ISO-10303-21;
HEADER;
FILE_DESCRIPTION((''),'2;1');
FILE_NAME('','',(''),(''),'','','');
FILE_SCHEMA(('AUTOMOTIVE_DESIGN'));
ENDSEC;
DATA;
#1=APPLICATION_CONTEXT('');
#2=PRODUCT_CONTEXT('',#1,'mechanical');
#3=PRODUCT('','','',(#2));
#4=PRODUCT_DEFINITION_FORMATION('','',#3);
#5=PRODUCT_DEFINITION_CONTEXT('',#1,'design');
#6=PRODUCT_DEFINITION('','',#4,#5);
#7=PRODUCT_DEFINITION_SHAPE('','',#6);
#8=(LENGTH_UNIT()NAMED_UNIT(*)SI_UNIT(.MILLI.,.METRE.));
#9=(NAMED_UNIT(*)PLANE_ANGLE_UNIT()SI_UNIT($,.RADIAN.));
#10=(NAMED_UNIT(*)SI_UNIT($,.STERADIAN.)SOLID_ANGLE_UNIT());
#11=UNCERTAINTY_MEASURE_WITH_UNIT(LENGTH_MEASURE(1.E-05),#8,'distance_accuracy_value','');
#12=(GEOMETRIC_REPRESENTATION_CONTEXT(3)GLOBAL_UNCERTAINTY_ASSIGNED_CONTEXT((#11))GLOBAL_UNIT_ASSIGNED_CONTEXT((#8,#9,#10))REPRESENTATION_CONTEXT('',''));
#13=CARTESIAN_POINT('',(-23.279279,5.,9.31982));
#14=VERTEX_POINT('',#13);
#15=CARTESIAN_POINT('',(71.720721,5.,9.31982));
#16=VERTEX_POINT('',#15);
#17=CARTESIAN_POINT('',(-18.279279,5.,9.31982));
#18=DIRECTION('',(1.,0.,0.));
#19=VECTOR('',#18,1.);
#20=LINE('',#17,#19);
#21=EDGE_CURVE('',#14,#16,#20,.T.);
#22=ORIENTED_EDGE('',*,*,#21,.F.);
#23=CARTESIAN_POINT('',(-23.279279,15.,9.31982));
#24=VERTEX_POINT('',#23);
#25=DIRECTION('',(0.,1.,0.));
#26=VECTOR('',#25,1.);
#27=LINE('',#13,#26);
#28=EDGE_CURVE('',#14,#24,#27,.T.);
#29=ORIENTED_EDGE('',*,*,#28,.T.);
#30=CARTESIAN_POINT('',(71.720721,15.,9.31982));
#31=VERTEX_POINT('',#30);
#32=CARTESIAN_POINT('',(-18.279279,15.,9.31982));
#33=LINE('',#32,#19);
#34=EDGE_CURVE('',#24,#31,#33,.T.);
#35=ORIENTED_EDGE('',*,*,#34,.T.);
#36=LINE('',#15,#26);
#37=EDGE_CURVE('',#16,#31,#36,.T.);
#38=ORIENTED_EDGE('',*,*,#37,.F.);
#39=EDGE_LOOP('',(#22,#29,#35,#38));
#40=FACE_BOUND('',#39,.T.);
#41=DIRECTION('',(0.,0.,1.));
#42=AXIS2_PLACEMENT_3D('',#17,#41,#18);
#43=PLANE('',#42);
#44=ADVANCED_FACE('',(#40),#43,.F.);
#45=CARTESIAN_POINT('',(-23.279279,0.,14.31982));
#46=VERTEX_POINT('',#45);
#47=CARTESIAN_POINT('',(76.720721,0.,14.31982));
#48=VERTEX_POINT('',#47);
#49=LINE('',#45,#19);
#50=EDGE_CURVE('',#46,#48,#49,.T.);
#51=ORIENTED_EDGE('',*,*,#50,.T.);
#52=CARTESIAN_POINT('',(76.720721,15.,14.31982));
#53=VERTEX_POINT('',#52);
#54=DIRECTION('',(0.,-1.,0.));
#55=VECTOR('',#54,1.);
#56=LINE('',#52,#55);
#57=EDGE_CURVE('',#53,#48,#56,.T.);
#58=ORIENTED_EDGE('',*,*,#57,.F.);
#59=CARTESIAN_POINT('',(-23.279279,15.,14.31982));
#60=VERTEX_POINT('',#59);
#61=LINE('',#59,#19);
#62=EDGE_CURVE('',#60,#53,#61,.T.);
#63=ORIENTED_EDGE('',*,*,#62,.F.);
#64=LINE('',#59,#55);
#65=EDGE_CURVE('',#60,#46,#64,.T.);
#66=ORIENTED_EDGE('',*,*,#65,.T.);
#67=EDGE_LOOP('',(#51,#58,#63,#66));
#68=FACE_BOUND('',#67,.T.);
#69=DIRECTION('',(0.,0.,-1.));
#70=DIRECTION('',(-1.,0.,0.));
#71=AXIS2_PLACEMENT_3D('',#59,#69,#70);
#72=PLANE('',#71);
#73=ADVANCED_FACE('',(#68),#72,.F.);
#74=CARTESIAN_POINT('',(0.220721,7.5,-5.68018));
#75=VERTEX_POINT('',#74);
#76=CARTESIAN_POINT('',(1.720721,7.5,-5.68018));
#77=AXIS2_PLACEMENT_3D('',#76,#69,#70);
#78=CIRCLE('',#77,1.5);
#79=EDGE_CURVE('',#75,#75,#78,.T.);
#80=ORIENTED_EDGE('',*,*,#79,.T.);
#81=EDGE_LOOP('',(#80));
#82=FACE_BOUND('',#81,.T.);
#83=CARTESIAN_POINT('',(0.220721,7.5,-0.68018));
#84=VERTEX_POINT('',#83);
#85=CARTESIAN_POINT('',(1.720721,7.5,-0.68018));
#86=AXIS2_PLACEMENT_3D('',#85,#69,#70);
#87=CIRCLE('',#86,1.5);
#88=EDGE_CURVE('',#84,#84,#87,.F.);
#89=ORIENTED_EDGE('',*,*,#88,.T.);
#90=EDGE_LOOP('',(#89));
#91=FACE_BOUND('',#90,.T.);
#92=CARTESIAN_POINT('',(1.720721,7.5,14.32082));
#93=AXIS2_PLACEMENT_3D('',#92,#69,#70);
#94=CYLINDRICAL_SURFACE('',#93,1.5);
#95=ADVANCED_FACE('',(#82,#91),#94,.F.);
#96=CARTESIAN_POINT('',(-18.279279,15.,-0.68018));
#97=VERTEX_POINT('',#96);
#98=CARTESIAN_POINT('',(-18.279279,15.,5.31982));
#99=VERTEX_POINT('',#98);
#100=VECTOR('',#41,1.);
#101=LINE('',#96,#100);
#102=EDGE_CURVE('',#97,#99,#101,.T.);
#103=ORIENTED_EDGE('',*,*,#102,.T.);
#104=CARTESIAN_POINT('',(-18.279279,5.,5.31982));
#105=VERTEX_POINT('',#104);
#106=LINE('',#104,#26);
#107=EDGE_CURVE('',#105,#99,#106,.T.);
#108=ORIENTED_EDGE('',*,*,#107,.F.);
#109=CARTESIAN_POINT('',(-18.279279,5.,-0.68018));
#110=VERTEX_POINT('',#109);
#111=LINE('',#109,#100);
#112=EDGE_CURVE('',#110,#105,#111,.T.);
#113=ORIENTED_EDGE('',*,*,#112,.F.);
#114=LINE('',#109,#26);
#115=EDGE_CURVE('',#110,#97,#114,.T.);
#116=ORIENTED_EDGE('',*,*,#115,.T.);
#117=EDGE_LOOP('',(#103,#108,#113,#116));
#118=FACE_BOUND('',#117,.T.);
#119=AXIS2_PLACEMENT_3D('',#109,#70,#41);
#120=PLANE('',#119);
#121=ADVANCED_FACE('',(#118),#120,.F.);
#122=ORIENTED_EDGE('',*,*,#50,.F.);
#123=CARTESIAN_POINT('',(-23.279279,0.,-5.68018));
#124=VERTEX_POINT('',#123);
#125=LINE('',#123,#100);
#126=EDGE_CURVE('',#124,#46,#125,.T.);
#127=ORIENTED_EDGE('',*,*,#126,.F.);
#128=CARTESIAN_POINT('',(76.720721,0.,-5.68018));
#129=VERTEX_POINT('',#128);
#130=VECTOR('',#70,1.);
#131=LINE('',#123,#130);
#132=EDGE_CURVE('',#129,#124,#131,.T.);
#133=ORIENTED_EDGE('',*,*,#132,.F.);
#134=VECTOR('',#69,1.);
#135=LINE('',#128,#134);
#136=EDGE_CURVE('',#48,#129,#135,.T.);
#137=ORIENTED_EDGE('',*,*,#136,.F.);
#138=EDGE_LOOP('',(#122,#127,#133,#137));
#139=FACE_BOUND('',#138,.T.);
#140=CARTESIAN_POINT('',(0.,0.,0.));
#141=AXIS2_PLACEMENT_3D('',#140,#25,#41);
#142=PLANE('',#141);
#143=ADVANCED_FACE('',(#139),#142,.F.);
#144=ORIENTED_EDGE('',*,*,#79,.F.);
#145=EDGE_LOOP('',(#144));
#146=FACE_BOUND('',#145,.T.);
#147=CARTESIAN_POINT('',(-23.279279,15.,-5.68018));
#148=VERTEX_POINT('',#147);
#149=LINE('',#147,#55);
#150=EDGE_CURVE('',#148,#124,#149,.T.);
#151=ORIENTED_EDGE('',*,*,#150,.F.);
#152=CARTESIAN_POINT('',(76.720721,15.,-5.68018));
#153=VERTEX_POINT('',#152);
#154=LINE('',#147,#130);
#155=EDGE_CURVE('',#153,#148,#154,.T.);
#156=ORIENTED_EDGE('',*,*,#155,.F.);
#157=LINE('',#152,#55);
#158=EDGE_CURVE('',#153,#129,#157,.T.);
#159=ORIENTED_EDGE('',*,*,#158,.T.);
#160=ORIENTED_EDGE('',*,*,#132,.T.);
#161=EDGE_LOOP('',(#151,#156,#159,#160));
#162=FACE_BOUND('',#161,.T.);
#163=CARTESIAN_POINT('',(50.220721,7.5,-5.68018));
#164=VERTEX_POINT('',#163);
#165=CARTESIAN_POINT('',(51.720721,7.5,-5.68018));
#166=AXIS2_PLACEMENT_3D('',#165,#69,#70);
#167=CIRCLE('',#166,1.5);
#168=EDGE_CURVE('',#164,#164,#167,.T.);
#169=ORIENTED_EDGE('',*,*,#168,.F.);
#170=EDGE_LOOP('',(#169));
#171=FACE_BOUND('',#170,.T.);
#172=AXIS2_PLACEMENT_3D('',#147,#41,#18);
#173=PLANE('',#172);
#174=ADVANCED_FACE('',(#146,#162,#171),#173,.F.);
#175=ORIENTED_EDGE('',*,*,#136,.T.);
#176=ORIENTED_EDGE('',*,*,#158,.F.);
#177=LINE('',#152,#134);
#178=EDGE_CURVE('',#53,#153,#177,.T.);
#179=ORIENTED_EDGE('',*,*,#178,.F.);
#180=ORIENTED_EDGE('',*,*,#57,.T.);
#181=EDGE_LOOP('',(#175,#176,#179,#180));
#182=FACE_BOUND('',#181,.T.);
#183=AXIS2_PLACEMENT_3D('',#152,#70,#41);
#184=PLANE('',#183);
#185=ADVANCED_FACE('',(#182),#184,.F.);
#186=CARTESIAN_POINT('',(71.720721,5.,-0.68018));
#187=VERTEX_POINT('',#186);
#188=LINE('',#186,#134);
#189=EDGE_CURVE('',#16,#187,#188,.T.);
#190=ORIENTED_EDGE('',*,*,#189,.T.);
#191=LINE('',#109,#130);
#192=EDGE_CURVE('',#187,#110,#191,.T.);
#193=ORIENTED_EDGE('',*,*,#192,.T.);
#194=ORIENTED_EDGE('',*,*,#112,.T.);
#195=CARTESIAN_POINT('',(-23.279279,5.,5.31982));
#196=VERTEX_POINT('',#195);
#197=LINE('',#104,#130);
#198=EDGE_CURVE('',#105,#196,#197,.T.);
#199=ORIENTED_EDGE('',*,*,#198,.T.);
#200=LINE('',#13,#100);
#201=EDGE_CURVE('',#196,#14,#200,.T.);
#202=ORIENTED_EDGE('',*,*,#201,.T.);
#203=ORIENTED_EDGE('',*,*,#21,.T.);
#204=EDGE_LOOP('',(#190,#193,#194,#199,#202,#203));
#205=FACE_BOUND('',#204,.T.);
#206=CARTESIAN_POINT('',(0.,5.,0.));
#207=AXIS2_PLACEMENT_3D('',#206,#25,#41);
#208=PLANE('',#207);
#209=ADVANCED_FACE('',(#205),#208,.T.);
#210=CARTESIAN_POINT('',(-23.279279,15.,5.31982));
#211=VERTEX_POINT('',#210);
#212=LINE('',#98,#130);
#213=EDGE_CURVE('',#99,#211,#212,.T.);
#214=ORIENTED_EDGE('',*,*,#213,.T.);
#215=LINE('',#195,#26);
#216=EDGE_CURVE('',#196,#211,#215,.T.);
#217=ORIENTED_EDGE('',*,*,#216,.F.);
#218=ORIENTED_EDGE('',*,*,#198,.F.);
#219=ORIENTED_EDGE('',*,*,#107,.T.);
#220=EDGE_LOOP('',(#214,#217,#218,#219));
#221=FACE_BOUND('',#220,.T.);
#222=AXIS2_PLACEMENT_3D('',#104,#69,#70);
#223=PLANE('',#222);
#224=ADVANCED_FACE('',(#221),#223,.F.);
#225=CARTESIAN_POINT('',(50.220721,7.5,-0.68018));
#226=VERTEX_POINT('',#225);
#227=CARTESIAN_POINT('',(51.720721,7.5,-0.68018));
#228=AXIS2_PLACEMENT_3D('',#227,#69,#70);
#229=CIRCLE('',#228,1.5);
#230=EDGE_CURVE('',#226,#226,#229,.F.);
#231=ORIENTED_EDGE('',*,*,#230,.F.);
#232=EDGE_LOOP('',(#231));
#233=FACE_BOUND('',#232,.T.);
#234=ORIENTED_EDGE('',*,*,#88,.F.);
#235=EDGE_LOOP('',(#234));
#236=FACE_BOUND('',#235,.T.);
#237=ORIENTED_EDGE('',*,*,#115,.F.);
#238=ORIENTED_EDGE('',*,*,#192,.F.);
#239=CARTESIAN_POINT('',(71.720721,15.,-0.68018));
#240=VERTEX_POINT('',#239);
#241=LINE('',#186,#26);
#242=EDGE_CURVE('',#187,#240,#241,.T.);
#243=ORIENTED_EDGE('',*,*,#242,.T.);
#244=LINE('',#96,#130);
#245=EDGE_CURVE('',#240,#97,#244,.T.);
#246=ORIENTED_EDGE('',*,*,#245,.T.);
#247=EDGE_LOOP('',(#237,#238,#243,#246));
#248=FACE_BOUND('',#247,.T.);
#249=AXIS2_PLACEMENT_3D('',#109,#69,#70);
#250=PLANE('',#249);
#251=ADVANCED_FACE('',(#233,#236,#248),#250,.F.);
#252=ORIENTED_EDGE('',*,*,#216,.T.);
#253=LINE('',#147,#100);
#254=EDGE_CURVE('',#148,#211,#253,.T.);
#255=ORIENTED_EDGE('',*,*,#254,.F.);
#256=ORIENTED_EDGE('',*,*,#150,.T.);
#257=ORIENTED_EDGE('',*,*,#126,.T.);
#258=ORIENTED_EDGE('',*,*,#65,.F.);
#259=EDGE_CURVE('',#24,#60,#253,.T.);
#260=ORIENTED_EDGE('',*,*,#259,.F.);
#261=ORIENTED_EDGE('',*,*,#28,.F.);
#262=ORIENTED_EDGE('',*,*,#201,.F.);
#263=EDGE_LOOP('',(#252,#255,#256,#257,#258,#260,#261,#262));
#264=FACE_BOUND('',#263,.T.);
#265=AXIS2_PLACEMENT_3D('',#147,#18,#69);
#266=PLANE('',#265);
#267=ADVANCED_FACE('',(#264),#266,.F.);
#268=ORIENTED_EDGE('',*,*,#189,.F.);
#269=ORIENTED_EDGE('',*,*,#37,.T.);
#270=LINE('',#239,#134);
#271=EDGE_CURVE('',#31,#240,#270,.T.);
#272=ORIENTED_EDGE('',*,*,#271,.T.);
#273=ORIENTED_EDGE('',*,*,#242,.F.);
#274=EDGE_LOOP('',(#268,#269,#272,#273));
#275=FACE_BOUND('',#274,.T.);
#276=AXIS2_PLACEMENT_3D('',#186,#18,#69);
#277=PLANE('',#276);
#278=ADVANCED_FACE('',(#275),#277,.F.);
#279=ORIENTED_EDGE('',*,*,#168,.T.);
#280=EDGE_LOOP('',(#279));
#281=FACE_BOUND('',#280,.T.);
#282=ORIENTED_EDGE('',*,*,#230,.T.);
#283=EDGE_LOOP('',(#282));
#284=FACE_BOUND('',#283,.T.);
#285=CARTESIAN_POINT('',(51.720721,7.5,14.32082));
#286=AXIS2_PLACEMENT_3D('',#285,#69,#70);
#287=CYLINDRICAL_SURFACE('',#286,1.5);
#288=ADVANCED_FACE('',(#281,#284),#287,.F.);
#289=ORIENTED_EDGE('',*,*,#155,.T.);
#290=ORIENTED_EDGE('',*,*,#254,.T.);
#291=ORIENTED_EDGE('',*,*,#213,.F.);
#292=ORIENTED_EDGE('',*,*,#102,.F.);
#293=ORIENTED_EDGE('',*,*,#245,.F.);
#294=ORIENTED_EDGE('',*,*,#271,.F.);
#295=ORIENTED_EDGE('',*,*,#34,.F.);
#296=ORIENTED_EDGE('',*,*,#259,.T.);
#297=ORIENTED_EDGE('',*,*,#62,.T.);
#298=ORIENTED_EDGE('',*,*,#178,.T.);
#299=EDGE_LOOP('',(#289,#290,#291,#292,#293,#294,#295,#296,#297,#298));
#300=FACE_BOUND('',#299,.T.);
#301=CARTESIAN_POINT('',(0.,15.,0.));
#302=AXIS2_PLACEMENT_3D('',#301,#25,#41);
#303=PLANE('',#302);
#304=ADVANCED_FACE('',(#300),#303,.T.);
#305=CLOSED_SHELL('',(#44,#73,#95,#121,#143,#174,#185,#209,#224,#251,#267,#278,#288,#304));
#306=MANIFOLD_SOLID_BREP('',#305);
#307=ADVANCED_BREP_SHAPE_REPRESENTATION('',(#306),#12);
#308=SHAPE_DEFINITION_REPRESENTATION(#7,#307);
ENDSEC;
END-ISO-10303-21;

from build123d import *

# Parameters (mm, degrees)
SKETCH_2_W          = 100
SKETCH_2_H          = 20
EXTRUDE_1_DEPTH     = 15
SKETCH_3_W          = 90
SKETCH_3_H          = 10
CUT_EXTRUDE_1_DEPTH = 10
SKETCH_5_W          = 5
SKETCH_5_H          = 4
CUT_EXTRUDE_2_DEPTH = 10
CUT_EXTRUDE_3_REACH = 22
SKETCH_6_R          = 1.5


with BuildPart() as part:
    # 草图2 → 凸台-拉伸1 (new body)
    with BuildSketch(Plane(origin=(0, 0, 0), x_dir=(1, 0, 0), z_dir=(0, 1, 0))):
        with Locations((26.720720721, -4.31981982)):
            Rectangle(SKETCH_2_W, SKETCH_2_H)
    extrude(amount=EXTRUDE_1_DEPTH)

    # 草图3 → 切除-拉伸1 (cut)
    with BuildSketch(Plane(origin=(0, 15, 0), x_dir=(1, 0, 0), z_dir=(0, 1, 0))):
        with Locations((26.720720721, -4.31981982)):
            Rectangle(SKETCH_3_W, SKETCH_3_H)
    extrude(amount=-CUT_EXTRUDE_1_DEPTH, mode=Mode.SUBTRACT)

    # 草图5 → 切除-拉伸2 (cut)
    with BuildSketch(Plane(origin=(0, 15, 0), x_dir=(1, 0, 0), z_dir=(0, 1, 0))):
        with Locations((-20.779279279, -7.31981982)):
            Rectangle(SKETCH_5_W, SKETCH_5_H)
    extrude(amount=-CUT_EXTRUDE_2_DEPTH, mode=Mode.SUBTRACT)

    # 草图6 → 切除-拉伸3 (cut, up to next)
    with BuildSketch(Plane(origin=(0, 0, -5.68018018), x_dir=(-1, 0, 0), z_dir=(0, 0, -1)), mode=Mode.PRIVATE) as cut_extrude_3_sk1:
        with Locations((-1.720720721, 7.5)):
            Circle(SKETCH_6_R)
    cut_extrude_3_tool1 = extrude(cut_extrude_3_sk1.sketch, amount=-CUT_EXTRUDE_3_REACH, mode=Mode.PRIVATE) & part.part
    add(cut_extrude_3_tool1.solids().sort_by_distance((1.720721, 7.5, -5.68018))[0], mode=Mode.SUBTRACT)
    # 草图6 → 切除-拉伸3 (cut, up to next)
    with BuildSketch(Plane(origin=(0, 0, -5.68018018), x_dir=(-1, 0, 0), z_dir=(0, 0, -1)), mode=Mode.PRIVATE) as cut_extrude_3_sk2:
        with Locations((-51.720720721, 7.5)):
            Circle(SKETCH_6_R)
    cut_extrude_3_tool2 = extrude(cut_extrude_3_sk2.sketch, amount=-CUT_EXTRUDE_3_REACH, mode=Mode.PRIVATE) & part.part
    add(cut_extrude_3_tool2.solids().sort_by_distance((51.720721, 7.5, -5.68018))[0], mode=Mode.SUBTRACT)


solid = part.part
